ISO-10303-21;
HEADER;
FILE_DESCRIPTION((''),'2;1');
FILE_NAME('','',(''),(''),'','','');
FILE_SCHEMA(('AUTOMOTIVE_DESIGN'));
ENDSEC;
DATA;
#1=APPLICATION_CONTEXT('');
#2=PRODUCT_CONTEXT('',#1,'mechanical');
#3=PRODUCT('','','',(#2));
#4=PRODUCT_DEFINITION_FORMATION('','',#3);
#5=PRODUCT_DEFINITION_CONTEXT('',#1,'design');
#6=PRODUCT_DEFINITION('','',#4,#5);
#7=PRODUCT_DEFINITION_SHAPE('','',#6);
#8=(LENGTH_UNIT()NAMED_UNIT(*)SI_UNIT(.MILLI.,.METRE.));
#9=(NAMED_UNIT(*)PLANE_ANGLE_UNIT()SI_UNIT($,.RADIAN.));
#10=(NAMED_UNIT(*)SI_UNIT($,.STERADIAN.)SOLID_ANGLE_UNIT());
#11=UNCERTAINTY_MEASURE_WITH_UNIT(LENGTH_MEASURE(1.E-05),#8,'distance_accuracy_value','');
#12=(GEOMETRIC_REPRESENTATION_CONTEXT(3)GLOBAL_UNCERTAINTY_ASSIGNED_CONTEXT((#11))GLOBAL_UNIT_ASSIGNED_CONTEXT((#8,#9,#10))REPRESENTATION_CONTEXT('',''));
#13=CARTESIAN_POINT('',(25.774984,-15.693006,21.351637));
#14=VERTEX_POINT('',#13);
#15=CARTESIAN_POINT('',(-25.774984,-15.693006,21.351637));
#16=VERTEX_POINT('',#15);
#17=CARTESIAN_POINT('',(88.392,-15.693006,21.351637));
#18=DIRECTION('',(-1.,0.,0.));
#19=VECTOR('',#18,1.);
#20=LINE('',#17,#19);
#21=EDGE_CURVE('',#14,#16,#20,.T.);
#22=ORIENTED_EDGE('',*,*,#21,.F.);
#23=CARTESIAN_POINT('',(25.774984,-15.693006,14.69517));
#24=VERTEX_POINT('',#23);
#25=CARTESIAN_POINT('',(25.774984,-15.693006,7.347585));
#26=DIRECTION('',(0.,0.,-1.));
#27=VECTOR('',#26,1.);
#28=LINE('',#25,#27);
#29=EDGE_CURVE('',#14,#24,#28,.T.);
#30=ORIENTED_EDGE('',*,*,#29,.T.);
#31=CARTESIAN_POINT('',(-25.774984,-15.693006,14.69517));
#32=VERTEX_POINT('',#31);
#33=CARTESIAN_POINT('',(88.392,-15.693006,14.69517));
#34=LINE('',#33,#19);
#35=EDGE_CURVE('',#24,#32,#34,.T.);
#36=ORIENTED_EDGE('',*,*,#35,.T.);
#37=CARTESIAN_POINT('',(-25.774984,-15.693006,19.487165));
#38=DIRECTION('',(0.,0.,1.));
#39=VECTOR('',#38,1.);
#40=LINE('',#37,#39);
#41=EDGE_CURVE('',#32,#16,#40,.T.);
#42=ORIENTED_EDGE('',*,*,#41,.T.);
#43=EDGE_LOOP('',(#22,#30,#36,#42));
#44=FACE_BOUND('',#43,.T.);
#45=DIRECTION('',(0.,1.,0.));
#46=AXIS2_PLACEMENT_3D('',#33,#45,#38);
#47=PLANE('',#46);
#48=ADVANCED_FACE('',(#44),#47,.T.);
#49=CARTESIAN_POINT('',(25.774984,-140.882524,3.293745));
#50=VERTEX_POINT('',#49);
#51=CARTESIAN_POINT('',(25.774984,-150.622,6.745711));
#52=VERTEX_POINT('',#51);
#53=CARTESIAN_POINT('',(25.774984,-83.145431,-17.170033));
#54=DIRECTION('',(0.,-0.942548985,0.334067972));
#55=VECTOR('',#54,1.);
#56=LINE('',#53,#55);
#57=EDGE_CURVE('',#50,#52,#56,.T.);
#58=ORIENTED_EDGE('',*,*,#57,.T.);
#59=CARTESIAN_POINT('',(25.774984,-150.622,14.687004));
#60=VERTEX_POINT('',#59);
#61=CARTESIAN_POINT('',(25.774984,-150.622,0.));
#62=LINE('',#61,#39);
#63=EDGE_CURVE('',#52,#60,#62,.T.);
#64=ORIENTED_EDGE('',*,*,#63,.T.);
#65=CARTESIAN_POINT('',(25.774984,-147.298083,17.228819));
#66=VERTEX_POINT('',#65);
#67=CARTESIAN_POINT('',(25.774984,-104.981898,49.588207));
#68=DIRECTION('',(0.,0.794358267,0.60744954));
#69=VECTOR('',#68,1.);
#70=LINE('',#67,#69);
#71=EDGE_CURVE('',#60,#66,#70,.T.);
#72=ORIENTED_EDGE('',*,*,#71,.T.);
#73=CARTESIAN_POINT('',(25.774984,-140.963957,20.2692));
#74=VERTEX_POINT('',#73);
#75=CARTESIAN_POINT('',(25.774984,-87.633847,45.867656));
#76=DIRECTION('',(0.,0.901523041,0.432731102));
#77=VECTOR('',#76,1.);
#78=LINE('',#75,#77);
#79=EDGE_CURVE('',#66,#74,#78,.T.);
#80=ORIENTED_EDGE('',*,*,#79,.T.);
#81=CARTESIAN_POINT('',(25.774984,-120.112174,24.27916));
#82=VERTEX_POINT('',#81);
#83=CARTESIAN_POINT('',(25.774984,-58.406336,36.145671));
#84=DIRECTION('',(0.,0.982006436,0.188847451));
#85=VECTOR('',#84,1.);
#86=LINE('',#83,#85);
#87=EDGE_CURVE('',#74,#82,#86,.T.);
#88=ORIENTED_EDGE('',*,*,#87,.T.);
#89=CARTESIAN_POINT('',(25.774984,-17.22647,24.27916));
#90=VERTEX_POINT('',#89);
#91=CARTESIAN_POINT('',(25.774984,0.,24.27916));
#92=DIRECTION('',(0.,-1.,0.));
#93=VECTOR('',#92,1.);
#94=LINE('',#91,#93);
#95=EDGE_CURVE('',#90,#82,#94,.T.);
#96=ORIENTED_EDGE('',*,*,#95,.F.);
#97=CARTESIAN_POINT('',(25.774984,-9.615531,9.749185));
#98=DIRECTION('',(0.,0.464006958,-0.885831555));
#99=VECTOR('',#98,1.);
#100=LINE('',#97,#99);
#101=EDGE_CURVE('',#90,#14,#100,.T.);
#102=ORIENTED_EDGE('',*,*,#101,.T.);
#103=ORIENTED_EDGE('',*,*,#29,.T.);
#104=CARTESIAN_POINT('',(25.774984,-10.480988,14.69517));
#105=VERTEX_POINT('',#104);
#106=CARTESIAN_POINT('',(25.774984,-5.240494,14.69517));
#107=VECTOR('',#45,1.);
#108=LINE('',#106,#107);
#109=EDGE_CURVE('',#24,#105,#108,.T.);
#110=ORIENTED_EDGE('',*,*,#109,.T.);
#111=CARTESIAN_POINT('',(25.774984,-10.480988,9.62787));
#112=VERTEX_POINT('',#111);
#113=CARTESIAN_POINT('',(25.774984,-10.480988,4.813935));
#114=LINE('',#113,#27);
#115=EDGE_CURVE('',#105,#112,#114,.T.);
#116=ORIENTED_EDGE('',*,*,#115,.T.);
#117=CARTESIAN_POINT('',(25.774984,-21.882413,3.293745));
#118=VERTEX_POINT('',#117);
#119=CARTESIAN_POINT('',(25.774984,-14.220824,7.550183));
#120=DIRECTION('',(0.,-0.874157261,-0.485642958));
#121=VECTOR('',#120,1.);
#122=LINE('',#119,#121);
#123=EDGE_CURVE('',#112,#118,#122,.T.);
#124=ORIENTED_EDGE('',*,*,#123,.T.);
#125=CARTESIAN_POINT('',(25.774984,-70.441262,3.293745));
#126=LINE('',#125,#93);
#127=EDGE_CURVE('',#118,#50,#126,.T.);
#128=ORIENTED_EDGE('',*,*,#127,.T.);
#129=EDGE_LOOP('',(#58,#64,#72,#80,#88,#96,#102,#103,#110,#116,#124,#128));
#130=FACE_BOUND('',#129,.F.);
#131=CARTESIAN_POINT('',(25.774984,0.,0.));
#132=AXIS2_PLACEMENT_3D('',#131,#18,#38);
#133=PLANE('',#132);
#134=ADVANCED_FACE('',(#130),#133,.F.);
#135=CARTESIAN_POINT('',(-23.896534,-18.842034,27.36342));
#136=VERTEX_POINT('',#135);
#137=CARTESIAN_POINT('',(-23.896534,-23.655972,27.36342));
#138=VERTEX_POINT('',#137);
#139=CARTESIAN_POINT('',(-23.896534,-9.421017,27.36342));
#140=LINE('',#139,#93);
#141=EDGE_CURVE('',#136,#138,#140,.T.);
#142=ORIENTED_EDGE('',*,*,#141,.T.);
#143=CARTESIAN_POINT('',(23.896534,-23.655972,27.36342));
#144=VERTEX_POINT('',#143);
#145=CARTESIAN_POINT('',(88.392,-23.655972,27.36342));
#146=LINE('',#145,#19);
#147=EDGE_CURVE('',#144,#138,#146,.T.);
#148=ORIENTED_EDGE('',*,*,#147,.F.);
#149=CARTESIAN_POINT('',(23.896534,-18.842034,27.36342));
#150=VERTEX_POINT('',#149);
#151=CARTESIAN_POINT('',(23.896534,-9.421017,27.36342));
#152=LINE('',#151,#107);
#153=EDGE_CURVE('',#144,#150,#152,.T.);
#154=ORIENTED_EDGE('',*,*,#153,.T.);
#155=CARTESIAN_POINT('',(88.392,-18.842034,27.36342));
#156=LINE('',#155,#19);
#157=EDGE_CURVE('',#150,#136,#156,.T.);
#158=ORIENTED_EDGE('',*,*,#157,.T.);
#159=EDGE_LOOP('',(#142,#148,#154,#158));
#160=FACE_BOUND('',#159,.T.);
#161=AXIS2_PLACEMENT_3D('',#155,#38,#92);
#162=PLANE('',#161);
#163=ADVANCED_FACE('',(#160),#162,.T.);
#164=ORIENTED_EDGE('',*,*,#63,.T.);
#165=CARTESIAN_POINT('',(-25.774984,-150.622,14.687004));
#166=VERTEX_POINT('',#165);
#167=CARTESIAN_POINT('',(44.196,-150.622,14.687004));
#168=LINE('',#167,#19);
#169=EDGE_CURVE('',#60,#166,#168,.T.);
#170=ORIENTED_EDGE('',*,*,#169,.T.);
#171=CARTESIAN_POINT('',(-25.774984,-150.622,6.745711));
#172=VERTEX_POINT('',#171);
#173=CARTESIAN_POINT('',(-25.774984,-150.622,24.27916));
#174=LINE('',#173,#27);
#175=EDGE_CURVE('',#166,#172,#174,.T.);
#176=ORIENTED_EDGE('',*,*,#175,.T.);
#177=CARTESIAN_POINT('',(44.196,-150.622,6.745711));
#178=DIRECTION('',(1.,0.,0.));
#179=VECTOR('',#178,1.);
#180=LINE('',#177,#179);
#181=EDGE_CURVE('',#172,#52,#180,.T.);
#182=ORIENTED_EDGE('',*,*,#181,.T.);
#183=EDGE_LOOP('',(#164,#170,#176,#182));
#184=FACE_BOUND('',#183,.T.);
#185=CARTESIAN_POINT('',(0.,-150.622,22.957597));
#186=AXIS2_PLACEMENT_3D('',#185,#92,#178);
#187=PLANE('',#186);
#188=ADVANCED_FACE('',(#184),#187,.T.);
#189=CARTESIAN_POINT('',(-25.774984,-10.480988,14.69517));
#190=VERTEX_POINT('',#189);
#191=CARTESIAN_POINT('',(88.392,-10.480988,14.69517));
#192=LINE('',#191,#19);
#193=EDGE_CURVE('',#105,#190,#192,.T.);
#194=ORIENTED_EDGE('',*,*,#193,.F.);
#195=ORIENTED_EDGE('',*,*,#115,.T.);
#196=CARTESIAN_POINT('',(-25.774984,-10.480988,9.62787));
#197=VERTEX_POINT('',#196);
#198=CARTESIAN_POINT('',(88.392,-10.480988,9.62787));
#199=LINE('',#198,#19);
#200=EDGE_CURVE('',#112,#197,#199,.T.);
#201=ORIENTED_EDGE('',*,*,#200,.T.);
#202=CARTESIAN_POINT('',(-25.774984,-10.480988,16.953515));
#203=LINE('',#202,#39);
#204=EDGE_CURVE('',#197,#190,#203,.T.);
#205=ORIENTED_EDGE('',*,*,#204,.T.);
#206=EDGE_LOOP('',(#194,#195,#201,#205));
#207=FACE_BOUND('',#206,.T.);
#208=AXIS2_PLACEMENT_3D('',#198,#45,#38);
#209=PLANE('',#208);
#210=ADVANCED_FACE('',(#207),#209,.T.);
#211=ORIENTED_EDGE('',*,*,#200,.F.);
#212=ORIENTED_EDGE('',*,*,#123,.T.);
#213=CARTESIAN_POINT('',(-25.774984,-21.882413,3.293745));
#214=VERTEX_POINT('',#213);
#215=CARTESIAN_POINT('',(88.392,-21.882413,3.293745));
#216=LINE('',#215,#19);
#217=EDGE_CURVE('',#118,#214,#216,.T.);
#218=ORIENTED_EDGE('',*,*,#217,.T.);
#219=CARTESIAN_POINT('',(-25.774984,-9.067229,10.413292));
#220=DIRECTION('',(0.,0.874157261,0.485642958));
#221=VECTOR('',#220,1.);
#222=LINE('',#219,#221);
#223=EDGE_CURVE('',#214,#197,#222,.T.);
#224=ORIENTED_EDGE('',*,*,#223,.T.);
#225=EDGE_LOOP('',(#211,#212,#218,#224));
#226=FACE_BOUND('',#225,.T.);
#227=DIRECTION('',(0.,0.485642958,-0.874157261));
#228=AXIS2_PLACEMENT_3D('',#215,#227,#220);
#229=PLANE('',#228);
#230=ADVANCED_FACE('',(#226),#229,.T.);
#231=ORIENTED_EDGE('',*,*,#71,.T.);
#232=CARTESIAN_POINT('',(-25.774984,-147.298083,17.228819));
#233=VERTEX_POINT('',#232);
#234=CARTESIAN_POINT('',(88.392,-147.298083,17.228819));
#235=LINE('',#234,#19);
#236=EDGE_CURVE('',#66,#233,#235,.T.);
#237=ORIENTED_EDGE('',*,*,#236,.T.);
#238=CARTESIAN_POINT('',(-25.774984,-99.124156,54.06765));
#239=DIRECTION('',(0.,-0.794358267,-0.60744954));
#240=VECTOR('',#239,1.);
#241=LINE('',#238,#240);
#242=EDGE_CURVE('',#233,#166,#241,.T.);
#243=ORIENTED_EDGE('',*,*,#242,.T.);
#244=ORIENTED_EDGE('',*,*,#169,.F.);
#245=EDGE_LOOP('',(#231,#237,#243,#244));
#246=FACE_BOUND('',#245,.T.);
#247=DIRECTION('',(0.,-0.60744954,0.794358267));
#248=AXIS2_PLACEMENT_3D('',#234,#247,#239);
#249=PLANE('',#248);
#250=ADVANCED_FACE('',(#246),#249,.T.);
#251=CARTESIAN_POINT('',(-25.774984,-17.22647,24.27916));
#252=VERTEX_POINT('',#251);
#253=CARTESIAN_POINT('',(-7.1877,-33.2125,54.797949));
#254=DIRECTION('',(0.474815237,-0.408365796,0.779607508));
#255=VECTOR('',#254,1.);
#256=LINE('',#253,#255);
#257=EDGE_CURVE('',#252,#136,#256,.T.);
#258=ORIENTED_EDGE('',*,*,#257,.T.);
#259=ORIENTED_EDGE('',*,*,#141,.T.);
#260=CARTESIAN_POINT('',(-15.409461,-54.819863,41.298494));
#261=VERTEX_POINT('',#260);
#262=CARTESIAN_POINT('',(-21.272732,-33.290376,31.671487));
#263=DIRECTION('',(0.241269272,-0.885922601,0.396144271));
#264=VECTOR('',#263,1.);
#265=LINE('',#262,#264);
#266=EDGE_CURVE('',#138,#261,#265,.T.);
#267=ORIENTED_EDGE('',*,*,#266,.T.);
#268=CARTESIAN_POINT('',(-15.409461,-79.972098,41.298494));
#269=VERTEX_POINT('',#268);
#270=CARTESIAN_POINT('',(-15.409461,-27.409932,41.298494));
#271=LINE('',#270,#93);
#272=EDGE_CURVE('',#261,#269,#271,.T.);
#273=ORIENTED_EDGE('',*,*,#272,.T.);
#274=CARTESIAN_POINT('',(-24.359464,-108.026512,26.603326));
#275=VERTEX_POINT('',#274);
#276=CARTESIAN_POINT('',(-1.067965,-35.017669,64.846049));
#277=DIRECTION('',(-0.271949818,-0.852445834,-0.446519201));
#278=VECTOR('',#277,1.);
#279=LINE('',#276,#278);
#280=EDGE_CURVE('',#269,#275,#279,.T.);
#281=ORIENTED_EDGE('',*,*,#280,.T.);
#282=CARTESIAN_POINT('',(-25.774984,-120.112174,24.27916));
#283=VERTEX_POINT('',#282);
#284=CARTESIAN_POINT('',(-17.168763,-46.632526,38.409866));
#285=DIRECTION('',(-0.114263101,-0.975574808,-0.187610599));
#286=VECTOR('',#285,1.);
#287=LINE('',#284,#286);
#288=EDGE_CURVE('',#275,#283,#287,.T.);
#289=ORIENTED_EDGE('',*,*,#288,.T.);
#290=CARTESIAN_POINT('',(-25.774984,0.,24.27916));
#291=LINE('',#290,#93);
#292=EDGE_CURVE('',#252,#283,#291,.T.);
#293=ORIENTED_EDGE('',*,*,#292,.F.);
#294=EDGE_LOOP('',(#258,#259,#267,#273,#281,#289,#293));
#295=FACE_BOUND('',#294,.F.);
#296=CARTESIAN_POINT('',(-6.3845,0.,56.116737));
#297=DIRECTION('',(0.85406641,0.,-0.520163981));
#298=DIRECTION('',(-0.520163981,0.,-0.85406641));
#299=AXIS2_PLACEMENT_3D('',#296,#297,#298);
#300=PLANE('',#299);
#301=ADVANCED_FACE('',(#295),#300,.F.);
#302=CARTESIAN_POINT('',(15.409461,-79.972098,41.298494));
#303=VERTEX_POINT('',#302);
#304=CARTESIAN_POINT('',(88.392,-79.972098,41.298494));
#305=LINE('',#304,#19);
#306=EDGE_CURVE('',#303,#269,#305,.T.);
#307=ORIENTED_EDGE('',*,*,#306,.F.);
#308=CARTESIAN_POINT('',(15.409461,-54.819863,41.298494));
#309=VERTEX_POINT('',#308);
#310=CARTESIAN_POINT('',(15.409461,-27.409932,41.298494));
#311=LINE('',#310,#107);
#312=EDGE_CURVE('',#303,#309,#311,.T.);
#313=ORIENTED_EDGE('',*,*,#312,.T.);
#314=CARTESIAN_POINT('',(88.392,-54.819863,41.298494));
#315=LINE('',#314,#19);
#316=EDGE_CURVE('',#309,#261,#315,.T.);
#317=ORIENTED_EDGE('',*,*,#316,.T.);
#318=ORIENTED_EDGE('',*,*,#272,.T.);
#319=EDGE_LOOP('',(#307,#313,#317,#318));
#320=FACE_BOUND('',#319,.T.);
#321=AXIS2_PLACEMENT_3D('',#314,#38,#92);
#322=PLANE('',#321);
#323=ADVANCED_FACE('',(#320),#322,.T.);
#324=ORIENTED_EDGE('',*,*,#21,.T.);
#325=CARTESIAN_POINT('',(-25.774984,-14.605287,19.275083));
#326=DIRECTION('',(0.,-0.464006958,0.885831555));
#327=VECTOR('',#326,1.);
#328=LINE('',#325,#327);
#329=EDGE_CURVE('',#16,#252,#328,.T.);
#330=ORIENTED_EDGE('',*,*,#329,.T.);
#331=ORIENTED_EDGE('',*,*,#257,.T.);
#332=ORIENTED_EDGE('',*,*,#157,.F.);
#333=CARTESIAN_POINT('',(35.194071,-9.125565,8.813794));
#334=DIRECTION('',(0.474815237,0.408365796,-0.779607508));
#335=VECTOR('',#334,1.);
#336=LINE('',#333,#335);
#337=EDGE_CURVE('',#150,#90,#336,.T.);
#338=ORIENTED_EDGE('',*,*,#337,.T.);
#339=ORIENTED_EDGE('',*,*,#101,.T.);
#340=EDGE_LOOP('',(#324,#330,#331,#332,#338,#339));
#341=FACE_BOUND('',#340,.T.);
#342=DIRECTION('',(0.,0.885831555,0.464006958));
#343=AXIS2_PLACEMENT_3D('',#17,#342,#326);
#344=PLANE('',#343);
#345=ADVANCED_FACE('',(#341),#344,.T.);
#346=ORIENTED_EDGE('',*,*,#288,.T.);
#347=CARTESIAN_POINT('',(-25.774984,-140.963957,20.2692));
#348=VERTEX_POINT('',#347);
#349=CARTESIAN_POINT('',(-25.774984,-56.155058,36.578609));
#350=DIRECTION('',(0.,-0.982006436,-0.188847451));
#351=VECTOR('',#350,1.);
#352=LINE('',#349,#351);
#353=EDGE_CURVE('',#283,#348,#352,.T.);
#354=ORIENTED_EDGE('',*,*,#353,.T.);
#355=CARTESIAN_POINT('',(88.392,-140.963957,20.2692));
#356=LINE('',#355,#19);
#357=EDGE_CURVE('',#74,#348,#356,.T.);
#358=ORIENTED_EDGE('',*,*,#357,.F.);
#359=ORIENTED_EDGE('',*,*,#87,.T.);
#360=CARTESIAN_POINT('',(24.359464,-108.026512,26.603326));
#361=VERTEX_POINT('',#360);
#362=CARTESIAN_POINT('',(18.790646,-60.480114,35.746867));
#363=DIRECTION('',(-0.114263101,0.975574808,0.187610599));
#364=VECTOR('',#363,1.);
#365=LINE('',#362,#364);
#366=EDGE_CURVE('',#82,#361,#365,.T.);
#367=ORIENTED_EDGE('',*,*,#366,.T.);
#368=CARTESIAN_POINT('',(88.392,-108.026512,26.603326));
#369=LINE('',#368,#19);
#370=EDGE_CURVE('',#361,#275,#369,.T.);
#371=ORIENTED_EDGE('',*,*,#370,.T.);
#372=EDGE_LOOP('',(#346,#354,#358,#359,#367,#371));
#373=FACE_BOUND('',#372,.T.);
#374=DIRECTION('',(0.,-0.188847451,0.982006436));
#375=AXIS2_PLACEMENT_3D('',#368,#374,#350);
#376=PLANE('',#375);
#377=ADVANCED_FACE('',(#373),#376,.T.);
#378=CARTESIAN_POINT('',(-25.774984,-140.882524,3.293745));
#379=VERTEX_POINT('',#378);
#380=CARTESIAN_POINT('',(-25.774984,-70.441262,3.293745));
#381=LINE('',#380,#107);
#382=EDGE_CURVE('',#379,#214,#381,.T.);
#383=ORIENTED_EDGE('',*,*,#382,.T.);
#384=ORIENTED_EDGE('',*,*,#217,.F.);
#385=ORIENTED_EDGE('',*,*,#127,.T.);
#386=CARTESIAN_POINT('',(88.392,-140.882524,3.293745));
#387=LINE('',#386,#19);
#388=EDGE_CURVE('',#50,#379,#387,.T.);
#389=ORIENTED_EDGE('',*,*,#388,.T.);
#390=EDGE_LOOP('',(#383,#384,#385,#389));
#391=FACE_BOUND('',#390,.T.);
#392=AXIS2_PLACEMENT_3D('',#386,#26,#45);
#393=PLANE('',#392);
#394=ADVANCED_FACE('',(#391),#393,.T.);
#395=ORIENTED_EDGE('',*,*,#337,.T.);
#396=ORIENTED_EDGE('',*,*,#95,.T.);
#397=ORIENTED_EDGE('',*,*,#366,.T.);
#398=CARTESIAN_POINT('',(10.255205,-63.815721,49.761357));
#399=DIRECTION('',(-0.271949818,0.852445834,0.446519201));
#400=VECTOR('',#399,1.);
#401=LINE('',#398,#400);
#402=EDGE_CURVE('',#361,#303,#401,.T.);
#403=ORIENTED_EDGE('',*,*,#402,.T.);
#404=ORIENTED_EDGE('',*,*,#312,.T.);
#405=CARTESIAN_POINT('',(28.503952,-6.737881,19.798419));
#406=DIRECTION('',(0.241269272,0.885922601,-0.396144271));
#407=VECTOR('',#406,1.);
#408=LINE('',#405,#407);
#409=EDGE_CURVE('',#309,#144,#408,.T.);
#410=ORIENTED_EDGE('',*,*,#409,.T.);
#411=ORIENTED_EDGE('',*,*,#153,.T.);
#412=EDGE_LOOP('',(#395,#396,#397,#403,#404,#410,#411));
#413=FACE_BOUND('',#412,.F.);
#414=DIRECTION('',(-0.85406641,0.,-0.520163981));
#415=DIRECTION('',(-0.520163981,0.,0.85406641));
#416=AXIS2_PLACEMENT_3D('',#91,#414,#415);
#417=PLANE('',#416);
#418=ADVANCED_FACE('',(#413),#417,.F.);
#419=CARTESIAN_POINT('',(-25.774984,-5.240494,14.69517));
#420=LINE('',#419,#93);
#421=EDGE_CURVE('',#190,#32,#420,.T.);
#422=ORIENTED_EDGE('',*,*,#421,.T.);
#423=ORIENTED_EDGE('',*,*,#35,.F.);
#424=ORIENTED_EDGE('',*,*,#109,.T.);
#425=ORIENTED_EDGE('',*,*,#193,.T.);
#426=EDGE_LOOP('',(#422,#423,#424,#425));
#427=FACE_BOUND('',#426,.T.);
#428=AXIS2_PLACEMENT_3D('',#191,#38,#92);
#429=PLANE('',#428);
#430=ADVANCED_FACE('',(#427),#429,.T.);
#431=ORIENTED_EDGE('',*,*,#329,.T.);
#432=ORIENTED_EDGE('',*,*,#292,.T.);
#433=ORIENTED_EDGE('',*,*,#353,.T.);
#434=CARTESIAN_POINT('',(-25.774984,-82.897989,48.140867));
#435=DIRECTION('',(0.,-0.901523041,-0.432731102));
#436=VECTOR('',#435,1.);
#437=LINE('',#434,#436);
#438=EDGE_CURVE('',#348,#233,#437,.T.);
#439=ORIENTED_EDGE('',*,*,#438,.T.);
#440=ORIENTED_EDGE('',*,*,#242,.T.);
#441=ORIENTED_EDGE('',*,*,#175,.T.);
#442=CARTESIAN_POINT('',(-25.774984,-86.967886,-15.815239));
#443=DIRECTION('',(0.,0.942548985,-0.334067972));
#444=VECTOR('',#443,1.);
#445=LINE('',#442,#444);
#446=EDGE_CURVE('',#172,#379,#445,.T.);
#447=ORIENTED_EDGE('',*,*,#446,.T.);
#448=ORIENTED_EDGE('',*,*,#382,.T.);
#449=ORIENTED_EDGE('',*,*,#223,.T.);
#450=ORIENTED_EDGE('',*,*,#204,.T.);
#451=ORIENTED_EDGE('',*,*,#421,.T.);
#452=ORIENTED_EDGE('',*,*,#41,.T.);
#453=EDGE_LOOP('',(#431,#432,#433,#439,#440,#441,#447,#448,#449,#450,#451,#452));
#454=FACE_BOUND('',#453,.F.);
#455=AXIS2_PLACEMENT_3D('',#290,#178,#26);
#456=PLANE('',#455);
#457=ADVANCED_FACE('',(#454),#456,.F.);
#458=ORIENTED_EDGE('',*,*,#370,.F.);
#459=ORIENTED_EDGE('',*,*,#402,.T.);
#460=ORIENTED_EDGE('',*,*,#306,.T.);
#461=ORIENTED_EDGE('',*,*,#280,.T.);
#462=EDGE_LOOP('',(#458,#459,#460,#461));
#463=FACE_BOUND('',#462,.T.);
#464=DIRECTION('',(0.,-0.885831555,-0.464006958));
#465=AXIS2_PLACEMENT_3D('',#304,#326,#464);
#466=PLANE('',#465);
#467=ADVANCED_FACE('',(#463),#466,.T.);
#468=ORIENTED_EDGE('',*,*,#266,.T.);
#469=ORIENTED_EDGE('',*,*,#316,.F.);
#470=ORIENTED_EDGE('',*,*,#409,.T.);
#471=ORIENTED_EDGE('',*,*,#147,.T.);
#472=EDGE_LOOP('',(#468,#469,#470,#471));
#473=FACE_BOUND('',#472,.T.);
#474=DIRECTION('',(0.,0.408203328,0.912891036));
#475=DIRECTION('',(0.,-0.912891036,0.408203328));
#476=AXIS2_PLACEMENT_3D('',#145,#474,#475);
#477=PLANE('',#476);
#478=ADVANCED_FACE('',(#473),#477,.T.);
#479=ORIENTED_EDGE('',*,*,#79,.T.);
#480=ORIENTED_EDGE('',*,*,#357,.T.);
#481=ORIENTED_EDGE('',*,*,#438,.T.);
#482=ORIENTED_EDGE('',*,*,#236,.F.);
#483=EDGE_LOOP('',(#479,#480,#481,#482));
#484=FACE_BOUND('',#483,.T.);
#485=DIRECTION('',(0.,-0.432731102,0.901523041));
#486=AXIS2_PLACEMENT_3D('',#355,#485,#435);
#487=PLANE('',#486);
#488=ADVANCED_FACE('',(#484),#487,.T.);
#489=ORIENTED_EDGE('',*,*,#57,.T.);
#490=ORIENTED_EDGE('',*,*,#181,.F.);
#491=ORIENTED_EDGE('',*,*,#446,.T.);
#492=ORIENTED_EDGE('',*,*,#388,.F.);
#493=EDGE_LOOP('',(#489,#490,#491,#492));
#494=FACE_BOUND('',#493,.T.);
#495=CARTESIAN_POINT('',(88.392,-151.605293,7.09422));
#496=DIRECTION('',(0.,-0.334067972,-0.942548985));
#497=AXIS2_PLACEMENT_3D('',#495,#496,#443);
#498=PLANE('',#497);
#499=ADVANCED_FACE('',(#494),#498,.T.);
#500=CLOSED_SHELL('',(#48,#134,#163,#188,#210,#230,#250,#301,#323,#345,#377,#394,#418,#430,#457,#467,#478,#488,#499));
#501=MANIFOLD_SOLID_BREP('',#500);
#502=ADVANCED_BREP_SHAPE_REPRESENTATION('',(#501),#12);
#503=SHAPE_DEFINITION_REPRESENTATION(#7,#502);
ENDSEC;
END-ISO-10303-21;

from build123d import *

# Parameters (mm, degrees)
F1_DEPTH = 150.622
F3_START = 88.392
F3_DEPTH = 114.1679836892


with BuildPart() as f1:
    # F0 (on Front) → F1 (new body)
    with BuildSketch(Plane.XZ):
        Polygon((-25.7749836892, 0), (0, 0), (25.7749836892, 0), (25.7749836892, 24.2791596506), (6.3844995154, 56.1167374253), (0, 56.1167374253), (-6.3844995154, 56.1167374253), (-25.7749836892, 24.2791596506), align=None)
    extrude(amount=F1_DEPTH)

    # F2 (on Right) → F3 (intersect)
    with BuildSketch(Plane.YZ.offset(F3_START)):
        Polygon((-151.6052931547, 13.9350751415), (-151.6052931547, 7.0942197926), (-140.8825235742, 3.293744754), (-21.8824129552, 3.293744754), (-10.4809878394, 9.627870284), (-10.4809878394, 14.6951703355), (-15.693005628, 14.6951703355), (-15.693005628, 21.3516374031), (-18.8420340419, 27.3634195328), (-23.6559715122, 27.3634195328), (-54.8198632896, 41.2984937429), (-79.972098349, 41.2984937429), (-108.0265119672, 26.6033262014), (-140.9639567137, 20.2692002058), (-147.2980827093, 17.2288194299), align=None)
    extrude(amount=-F3_DEPTH, mode=Mode.INTERSECT)


solid = f1.part
